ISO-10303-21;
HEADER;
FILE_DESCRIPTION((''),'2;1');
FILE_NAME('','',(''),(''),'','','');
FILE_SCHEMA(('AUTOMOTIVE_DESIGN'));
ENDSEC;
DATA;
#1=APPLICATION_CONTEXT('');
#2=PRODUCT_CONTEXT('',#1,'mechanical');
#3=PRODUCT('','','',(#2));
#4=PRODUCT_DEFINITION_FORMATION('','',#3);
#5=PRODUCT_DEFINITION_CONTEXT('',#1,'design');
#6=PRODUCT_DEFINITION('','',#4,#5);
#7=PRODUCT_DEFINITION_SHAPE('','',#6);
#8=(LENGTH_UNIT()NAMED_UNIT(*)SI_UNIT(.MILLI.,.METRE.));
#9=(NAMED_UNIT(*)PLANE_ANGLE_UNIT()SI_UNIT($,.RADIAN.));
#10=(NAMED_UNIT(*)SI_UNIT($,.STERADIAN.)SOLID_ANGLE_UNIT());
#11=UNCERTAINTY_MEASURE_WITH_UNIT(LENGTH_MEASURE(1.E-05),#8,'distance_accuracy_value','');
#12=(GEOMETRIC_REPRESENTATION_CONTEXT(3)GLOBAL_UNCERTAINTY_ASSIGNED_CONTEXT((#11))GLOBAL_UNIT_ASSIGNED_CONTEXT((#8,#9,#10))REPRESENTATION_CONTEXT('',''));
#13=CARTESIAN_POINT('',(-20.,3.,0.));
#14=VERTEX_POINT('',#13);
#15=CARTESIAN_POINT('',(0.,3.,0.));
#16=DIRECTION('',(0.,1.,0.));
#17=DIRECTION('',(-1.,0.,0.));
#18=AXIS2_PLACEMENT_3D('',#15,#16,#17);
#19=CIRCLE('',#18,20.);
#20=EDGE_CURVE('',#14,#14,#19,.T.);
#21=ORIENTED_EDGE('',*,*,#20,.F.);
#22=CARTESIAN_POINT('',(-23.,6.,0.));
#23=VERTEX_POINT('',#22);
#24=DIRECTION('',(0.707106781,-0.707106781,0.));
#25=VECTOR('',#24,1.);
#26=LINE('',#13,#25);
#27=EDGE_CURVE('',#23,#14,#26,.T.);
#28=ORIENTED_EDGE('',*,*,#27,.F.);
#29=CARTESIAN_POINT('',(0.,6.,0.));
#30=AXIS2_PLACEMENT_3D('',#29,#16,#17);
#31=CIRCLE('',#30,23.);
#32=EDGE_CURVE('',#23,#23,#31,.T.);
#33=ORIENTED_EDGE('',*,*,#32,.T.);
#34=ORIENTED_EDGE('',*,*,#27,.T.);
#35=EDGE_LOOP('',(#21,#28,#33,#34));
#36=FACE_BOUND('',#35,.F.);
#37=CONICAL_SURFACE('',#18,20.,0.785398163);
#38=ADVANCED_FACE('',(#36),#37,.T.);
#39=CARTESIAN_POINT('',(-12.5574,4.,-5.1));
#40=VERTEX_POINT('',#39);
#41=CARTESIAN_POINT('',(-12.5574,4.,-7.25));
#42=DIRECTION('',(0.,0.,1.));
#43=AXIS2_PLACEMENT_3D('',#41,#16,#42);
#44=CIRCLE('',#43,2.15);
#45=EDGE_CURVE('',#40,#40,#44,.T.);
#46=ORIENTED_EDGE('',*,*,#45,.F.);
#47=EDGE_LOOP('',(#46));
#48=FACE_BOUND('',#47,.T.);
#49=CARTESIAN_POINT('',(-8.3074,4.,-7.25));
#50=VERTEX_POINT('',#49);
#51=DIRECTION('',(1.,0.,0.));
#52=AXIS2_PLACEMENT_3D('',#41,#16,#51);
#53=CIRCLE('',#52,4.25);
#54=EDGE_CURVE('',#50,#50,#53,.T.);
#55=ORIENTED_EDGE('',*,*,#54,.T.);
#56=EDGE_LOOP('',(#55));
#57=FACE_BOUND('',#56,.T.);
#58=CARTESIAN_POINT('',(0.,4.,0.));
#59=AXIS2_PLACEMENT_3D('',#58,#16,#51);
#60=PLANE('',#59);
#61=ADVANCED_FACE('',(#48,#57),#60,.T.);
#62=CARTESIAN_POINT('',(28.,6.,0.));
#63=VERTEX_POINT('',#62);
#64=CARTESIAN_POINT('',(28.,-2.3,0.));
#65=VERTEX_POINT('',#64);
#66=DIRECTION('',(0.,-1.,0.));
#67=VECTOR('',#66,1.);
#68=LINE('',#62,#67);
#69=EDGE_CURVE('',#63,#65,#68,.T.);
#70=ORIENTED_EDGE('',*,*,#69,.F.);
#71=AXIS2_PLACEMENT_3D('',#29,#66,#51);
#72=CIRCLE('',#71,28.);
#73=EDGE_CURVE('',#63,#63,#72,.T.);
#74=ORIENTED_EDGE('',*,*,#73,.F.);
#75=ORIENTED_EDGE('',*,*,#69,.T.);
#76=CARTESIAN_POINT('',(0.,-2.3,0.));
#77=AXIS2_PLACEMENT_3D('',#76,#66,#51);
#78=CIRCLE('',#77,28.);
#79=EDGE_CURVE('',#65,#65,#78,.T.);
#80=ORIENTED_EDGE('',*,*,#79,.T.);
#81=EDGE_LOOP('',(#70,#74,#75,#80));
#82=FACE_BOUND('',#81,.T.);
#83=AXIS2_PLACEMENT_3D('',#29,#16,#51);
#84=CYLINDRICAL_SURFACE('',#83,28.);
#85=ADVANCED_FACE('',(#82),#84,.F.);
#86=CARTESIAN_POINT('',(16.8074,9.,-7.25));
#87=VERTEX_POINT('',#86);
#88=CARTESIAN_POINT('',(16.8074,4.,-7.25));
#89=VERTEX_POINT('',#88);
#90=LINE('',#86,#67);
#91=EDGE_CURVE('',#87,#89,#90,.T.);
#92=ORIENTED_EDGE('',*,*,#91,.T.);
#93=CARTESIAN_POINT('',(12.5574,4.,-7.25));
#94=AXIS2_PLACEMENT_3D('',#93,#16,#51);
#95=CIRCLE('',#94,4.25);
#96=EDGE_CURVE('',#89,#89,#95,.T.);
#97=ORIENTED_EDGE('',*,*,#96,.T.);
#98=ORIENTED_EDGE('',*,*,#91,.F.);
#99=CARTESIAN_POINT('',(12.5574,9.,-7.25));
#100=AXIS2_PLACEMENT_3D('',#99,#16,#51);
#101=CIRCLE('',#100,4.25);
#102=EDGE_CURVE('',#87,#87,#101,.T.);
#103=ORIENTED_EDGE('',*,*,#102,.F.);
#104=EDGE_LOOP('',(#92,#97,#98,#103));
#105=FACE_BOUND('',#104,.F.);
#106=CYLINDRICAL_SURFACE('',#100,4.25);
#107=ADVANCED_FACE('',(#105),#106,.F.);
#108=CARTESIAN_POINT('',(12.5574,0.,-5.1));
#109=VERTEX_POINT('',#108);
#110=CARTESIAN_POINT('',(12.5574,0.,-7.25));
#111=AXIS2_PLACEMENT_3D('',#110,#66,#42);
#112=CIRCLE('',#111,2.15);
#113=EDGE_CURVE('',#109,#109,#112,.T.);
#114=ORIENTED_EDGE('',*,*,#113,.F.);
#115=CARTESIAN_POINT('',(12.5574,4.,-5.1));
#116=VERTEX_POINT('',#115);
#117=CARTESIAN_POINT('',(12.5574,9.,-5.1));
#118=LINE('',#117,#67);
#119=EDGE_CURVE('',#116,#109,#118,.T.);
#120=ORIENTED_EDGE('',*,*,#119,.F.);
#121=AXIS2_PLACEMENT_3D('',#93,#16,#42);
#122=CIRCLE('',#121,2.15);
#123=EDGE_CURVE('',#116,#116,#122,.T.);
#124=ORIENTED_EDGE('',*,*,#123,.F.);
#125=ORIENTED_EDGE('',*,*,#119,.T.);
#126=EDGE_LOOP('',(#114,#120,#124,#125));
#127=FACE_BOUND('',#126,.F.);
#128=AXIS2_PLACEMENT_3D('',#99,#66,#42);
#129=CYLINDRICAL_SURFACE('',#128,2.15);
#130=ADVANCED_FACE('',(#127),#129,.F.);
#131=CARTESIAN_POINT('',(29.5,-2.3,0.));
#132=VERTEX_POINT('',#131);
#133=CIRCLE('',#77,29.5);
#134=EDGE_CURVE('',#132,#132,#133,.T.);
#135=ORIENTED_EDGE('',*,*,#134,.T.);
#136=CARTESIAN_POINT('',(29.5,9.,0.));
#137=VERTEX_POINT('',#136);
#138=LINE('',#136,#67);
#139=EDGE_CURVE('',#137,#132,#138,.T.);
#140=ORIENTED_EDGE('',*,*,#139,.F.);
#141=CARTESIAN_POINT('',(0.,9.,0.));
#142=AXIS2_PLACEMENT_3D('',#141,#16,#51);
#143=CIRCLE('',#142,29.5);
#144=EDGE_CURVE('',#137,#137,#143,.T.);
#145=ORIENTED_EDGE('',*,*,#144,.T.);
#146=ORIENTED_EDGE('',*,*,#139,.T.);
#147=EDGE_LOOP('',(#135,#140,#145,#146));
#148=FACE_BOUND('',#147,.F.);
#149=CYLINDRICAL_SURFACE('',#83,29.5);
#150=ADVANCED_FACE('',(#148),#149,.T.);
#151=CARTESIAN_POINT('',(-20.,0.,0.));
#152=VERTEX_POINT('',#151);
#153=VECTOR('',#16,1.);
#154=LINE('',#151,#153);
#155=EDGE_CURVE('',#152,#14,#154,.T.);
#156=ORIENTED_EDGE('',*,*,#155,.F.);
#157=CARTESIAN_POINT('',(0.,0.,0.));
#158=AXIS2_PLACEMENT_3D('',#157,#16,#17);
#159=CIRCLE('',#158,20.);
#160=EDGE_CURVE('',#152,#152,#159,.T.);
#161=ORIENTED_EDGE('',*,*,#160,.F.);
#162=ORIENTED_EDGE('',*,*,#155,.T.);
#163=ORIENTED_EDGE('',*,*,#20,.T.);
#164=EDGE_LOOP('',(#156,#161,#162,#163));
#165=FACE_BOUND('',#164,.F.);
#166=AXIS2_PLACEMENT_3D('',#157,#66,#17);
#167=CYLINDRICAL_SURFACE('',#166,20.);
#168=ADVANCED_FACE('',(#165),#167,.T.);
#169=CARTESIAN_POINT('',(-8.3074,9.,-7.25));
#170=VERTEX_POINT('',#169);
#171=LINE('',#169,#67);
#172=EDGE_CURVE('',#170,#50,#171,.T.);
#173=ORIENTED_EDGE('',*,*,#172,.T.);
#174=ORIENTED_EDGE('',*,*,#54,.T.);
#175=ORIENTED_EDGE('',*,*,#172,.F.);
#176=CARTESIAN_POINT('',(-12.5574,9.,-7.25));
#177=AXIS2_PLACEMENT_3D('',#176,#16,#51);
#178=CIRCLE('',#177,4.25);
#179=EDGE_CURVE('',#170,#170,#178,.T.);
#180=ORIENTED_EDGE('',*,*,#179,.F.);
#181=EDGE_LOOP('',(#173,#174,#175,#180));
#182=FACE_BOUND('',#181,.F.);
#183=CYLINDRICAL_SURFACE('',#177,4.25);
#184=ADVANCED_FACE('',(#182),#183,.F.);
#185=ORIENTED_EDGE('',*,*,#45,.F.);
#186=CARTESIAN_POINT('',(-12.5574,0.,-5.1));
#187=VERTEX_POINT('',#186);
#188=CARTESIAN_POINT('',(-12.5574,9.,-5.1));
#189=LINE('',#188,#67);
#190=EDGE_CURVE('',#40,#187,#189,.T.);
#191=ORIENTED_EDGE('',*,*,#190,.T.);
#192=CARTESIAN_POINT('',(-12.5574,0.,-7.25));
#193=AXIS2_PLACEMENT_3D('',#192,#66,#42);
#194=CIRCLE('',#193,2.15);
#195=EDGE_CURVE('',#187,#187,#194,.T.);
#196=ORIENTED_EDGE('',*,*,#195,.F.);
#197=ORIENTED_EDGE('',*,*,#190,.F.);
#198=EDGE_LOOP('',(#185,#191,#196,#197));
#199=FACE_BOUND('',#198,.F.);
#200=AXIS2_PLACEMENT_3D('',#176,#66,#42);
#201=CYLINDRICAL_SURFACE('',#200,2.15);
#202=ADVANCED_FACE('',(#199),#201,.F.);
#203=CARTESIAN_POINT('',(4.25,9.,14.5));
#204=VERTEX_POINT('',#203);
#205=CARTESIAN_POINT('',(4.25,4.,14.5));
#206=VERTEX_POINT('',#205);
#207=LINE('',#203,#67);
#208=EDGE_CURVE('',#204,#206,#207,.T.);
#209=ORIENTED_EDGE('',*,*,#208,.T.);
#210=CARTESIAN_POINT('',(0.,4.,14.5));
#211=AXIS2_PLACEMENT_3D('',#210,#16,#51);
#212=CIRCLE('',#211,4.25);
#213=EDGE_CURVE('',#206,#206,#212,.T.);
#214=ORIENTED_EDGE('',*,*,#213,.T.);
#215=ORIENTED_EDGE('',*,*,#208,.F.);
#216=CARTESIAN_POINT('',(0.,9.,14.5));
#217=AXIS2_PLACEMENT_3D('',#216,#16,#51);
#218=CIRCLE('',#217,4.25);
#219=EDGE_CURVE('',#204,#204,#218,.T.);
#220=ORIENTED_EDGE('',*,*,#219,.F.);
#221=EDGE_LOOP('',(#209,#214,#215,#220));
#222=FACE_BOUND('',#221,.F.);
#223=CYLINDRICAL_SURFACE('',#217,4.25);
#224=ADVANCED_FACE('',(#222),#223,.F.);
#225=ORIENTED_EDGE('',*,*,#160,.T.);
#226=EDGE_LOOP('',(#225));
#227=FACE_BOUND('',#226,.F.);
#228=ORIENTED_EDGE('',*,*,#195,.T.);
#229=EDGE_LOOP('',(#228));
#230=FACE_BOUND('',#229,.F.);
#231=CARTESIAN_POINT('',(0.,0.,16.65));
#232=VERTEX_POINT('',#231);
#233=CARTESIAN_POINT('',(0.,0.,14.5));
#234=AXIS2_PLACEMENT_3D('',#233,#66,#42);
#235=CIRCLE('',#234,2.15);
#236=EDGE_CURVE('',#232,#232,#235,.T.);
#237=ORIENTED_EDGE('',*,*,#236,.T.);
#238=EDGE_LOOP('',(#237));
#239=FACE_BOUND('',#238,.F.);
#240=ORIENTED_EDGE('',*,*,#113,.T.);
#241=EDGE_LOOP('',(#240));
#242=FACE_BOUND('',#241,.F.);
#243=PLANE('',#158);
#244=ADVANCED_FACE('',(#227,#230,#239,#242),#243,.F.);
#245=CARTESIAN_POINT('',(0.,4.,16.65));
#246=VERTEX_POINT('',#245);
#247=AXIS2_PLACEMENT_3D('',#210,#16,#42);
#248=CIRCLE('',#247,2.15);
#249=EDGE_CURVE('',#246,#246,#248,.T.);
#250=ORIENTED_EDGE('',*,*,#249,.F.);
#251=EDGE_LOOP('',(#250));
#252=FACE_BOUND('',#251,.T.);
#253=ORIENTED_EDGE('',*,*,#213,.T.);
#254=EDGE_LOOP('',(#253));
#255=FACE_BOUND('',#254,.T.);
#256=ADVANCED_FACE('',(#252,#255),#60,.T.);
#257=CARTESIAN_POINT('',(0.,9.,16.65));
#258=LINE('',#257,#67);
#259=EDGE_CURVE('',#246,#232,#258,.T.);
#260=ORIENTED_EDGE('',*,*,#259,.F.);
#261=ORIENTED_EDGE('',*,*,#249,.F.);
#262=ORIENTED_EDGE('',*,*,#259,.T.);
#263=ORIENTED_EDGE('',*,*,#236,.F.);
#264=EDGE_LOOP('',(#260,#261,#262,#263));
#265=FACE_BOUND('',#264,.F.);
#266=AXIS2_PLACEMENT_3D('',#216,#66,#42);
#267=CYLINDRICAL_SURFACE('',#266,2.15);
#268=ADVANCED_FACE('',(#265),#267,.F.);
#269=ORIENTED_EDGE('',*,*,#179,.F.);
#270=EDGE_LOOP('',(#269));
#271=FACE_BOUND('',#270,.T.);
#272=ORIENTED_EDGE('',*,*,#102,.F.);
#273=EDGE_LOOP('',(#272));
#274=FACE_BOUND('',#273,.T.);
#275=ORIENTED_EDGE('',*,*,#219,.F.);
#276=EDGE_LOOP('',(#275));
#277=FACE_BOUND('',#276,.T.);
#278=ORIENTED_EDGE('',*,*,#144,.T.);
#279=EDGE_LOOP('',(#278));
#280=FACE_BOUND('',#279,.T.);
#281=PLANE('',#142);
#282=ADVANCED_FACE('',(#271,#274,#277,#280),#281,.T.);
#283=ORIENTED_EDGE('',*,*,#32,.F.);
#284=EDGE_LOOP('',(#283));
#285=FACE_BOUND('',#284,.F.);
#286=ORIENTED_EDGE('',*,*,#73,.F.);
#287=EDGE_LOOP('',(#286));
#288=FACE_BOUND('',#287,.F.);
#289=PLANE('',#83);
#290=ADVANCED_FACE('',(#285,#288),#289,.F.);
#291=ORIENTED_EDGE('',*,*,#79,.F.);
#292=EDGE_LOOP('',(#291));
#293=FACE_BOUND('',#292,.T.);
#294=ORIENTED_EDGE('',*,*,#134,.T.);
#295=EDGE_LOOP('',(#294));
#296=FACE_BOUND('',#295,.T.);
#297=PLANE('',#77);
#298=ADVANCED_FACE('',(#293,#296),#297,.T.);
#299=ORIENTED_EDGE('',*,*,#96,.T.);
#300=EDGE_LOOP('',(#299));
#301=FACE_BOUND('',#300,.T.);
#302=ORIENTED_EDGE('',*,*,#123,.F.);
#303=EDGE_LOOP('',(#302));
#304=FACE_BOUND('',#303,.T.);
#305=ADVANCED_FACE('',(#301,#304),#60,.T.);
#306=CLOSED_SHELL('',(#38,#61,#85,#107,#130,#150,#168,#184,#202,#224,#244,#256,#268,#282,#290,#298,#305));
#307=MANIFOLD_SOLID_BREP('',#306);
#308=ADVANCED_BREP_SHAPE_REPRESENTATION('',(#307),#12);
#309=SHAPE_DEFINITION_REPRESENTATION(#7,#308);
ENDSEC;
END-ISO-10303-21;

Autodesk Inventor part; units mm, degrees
ref_plane "YZ Plane" through (0, 0, 0) normal (1, 0, 0) x (0, 1, 0)
ref_plane "XZ Plane" through (0, 0, 0) normal (0, 1, 0) x (-1, 0, 0)
ref_plane "XY Plane" through (0, 0, 0) normal (0, 0, 1) x (1, 0, 0)
sketch "Sketch1" plane through (0, 0, 0) normal (0, 1, 0) x (-1, 0, 0)
  circle A0 centre (0, 0) radius 20
  dimension "d0" = 40
extrude "Extrusion1" add sketch "Sketch1" along normal blind 6
sketch "Sketch2" plane through (0, 6, 0) normal (0, 1, 0) x (1, 0, 0)
  circle A0 centre (0, 0) radius 29.5
  dimension "d3" = 59
extrude "Extrusion2" add sketch "Sketch2" along normal blind 3
sketch "Sketch3" plane through (0, 6, 0) normal (0, -1, 0) x (1, 0, 0)
  circle A0 centre (0, 0) radius 29.5 projected
  circle A1 centre (0, 0) radius 28
  dimension "d6" = 56
extrude "Extrusion3" add sketch "Sketch3" along normal blind 8.3
sketch "Sketch4" plane through (0, 9, 0) normal (0, 1, 0) x (1, 0, 0)
  circle A0 centre (0, 0) radius 14.5 construction
  line L0 (0, 0) -> (0, -14.5) construction
  point P0 (12.5574, 7.25)
  point P1 (-12.5574, 7.25)
  dimension "d9" = 29
  dimension "d12" = 360
hole "Hole1" at (0, 9, 14.5) at (12.5574, 9, -7.25) at (-12.5574, 9, -7.25) direction (0, -1, 0) diameter 4.3 end through all
chamfer "Chamfer1" distance 3 angle 45 1 edges at (20, 6, 0)
sketch "Sketch5" plane through (0, 9, 0) normal (0, 1, 0) x (1, 0, 0)
  circle A0 centre (0, -14.5) radius 2.15 projected
  circle A1 centre (-12.5574, 7.25) radius 2.15 projected
  circle A2 centre (12.5574, 7.25) radius 2.15 projected
  circle A3 centre (0, -14.5) radius 4.25
  circle A4 centre (-12.5574, 7.25) radius 4.25
  circle A5 centre (12.5574, 7.25) radius 4.25
  point P0 (0, 0)
  dimension "d24" = 8.5
  dimension "d25" = 8.5
  dimension "d26" = 8.5
extrude "Extrusion4" cut sketch "Sketch5" against normal blind 5
equation "\"d25\" = d24"
equation "\"d26\" = d24"
properties part number "Arm - slew column C"
